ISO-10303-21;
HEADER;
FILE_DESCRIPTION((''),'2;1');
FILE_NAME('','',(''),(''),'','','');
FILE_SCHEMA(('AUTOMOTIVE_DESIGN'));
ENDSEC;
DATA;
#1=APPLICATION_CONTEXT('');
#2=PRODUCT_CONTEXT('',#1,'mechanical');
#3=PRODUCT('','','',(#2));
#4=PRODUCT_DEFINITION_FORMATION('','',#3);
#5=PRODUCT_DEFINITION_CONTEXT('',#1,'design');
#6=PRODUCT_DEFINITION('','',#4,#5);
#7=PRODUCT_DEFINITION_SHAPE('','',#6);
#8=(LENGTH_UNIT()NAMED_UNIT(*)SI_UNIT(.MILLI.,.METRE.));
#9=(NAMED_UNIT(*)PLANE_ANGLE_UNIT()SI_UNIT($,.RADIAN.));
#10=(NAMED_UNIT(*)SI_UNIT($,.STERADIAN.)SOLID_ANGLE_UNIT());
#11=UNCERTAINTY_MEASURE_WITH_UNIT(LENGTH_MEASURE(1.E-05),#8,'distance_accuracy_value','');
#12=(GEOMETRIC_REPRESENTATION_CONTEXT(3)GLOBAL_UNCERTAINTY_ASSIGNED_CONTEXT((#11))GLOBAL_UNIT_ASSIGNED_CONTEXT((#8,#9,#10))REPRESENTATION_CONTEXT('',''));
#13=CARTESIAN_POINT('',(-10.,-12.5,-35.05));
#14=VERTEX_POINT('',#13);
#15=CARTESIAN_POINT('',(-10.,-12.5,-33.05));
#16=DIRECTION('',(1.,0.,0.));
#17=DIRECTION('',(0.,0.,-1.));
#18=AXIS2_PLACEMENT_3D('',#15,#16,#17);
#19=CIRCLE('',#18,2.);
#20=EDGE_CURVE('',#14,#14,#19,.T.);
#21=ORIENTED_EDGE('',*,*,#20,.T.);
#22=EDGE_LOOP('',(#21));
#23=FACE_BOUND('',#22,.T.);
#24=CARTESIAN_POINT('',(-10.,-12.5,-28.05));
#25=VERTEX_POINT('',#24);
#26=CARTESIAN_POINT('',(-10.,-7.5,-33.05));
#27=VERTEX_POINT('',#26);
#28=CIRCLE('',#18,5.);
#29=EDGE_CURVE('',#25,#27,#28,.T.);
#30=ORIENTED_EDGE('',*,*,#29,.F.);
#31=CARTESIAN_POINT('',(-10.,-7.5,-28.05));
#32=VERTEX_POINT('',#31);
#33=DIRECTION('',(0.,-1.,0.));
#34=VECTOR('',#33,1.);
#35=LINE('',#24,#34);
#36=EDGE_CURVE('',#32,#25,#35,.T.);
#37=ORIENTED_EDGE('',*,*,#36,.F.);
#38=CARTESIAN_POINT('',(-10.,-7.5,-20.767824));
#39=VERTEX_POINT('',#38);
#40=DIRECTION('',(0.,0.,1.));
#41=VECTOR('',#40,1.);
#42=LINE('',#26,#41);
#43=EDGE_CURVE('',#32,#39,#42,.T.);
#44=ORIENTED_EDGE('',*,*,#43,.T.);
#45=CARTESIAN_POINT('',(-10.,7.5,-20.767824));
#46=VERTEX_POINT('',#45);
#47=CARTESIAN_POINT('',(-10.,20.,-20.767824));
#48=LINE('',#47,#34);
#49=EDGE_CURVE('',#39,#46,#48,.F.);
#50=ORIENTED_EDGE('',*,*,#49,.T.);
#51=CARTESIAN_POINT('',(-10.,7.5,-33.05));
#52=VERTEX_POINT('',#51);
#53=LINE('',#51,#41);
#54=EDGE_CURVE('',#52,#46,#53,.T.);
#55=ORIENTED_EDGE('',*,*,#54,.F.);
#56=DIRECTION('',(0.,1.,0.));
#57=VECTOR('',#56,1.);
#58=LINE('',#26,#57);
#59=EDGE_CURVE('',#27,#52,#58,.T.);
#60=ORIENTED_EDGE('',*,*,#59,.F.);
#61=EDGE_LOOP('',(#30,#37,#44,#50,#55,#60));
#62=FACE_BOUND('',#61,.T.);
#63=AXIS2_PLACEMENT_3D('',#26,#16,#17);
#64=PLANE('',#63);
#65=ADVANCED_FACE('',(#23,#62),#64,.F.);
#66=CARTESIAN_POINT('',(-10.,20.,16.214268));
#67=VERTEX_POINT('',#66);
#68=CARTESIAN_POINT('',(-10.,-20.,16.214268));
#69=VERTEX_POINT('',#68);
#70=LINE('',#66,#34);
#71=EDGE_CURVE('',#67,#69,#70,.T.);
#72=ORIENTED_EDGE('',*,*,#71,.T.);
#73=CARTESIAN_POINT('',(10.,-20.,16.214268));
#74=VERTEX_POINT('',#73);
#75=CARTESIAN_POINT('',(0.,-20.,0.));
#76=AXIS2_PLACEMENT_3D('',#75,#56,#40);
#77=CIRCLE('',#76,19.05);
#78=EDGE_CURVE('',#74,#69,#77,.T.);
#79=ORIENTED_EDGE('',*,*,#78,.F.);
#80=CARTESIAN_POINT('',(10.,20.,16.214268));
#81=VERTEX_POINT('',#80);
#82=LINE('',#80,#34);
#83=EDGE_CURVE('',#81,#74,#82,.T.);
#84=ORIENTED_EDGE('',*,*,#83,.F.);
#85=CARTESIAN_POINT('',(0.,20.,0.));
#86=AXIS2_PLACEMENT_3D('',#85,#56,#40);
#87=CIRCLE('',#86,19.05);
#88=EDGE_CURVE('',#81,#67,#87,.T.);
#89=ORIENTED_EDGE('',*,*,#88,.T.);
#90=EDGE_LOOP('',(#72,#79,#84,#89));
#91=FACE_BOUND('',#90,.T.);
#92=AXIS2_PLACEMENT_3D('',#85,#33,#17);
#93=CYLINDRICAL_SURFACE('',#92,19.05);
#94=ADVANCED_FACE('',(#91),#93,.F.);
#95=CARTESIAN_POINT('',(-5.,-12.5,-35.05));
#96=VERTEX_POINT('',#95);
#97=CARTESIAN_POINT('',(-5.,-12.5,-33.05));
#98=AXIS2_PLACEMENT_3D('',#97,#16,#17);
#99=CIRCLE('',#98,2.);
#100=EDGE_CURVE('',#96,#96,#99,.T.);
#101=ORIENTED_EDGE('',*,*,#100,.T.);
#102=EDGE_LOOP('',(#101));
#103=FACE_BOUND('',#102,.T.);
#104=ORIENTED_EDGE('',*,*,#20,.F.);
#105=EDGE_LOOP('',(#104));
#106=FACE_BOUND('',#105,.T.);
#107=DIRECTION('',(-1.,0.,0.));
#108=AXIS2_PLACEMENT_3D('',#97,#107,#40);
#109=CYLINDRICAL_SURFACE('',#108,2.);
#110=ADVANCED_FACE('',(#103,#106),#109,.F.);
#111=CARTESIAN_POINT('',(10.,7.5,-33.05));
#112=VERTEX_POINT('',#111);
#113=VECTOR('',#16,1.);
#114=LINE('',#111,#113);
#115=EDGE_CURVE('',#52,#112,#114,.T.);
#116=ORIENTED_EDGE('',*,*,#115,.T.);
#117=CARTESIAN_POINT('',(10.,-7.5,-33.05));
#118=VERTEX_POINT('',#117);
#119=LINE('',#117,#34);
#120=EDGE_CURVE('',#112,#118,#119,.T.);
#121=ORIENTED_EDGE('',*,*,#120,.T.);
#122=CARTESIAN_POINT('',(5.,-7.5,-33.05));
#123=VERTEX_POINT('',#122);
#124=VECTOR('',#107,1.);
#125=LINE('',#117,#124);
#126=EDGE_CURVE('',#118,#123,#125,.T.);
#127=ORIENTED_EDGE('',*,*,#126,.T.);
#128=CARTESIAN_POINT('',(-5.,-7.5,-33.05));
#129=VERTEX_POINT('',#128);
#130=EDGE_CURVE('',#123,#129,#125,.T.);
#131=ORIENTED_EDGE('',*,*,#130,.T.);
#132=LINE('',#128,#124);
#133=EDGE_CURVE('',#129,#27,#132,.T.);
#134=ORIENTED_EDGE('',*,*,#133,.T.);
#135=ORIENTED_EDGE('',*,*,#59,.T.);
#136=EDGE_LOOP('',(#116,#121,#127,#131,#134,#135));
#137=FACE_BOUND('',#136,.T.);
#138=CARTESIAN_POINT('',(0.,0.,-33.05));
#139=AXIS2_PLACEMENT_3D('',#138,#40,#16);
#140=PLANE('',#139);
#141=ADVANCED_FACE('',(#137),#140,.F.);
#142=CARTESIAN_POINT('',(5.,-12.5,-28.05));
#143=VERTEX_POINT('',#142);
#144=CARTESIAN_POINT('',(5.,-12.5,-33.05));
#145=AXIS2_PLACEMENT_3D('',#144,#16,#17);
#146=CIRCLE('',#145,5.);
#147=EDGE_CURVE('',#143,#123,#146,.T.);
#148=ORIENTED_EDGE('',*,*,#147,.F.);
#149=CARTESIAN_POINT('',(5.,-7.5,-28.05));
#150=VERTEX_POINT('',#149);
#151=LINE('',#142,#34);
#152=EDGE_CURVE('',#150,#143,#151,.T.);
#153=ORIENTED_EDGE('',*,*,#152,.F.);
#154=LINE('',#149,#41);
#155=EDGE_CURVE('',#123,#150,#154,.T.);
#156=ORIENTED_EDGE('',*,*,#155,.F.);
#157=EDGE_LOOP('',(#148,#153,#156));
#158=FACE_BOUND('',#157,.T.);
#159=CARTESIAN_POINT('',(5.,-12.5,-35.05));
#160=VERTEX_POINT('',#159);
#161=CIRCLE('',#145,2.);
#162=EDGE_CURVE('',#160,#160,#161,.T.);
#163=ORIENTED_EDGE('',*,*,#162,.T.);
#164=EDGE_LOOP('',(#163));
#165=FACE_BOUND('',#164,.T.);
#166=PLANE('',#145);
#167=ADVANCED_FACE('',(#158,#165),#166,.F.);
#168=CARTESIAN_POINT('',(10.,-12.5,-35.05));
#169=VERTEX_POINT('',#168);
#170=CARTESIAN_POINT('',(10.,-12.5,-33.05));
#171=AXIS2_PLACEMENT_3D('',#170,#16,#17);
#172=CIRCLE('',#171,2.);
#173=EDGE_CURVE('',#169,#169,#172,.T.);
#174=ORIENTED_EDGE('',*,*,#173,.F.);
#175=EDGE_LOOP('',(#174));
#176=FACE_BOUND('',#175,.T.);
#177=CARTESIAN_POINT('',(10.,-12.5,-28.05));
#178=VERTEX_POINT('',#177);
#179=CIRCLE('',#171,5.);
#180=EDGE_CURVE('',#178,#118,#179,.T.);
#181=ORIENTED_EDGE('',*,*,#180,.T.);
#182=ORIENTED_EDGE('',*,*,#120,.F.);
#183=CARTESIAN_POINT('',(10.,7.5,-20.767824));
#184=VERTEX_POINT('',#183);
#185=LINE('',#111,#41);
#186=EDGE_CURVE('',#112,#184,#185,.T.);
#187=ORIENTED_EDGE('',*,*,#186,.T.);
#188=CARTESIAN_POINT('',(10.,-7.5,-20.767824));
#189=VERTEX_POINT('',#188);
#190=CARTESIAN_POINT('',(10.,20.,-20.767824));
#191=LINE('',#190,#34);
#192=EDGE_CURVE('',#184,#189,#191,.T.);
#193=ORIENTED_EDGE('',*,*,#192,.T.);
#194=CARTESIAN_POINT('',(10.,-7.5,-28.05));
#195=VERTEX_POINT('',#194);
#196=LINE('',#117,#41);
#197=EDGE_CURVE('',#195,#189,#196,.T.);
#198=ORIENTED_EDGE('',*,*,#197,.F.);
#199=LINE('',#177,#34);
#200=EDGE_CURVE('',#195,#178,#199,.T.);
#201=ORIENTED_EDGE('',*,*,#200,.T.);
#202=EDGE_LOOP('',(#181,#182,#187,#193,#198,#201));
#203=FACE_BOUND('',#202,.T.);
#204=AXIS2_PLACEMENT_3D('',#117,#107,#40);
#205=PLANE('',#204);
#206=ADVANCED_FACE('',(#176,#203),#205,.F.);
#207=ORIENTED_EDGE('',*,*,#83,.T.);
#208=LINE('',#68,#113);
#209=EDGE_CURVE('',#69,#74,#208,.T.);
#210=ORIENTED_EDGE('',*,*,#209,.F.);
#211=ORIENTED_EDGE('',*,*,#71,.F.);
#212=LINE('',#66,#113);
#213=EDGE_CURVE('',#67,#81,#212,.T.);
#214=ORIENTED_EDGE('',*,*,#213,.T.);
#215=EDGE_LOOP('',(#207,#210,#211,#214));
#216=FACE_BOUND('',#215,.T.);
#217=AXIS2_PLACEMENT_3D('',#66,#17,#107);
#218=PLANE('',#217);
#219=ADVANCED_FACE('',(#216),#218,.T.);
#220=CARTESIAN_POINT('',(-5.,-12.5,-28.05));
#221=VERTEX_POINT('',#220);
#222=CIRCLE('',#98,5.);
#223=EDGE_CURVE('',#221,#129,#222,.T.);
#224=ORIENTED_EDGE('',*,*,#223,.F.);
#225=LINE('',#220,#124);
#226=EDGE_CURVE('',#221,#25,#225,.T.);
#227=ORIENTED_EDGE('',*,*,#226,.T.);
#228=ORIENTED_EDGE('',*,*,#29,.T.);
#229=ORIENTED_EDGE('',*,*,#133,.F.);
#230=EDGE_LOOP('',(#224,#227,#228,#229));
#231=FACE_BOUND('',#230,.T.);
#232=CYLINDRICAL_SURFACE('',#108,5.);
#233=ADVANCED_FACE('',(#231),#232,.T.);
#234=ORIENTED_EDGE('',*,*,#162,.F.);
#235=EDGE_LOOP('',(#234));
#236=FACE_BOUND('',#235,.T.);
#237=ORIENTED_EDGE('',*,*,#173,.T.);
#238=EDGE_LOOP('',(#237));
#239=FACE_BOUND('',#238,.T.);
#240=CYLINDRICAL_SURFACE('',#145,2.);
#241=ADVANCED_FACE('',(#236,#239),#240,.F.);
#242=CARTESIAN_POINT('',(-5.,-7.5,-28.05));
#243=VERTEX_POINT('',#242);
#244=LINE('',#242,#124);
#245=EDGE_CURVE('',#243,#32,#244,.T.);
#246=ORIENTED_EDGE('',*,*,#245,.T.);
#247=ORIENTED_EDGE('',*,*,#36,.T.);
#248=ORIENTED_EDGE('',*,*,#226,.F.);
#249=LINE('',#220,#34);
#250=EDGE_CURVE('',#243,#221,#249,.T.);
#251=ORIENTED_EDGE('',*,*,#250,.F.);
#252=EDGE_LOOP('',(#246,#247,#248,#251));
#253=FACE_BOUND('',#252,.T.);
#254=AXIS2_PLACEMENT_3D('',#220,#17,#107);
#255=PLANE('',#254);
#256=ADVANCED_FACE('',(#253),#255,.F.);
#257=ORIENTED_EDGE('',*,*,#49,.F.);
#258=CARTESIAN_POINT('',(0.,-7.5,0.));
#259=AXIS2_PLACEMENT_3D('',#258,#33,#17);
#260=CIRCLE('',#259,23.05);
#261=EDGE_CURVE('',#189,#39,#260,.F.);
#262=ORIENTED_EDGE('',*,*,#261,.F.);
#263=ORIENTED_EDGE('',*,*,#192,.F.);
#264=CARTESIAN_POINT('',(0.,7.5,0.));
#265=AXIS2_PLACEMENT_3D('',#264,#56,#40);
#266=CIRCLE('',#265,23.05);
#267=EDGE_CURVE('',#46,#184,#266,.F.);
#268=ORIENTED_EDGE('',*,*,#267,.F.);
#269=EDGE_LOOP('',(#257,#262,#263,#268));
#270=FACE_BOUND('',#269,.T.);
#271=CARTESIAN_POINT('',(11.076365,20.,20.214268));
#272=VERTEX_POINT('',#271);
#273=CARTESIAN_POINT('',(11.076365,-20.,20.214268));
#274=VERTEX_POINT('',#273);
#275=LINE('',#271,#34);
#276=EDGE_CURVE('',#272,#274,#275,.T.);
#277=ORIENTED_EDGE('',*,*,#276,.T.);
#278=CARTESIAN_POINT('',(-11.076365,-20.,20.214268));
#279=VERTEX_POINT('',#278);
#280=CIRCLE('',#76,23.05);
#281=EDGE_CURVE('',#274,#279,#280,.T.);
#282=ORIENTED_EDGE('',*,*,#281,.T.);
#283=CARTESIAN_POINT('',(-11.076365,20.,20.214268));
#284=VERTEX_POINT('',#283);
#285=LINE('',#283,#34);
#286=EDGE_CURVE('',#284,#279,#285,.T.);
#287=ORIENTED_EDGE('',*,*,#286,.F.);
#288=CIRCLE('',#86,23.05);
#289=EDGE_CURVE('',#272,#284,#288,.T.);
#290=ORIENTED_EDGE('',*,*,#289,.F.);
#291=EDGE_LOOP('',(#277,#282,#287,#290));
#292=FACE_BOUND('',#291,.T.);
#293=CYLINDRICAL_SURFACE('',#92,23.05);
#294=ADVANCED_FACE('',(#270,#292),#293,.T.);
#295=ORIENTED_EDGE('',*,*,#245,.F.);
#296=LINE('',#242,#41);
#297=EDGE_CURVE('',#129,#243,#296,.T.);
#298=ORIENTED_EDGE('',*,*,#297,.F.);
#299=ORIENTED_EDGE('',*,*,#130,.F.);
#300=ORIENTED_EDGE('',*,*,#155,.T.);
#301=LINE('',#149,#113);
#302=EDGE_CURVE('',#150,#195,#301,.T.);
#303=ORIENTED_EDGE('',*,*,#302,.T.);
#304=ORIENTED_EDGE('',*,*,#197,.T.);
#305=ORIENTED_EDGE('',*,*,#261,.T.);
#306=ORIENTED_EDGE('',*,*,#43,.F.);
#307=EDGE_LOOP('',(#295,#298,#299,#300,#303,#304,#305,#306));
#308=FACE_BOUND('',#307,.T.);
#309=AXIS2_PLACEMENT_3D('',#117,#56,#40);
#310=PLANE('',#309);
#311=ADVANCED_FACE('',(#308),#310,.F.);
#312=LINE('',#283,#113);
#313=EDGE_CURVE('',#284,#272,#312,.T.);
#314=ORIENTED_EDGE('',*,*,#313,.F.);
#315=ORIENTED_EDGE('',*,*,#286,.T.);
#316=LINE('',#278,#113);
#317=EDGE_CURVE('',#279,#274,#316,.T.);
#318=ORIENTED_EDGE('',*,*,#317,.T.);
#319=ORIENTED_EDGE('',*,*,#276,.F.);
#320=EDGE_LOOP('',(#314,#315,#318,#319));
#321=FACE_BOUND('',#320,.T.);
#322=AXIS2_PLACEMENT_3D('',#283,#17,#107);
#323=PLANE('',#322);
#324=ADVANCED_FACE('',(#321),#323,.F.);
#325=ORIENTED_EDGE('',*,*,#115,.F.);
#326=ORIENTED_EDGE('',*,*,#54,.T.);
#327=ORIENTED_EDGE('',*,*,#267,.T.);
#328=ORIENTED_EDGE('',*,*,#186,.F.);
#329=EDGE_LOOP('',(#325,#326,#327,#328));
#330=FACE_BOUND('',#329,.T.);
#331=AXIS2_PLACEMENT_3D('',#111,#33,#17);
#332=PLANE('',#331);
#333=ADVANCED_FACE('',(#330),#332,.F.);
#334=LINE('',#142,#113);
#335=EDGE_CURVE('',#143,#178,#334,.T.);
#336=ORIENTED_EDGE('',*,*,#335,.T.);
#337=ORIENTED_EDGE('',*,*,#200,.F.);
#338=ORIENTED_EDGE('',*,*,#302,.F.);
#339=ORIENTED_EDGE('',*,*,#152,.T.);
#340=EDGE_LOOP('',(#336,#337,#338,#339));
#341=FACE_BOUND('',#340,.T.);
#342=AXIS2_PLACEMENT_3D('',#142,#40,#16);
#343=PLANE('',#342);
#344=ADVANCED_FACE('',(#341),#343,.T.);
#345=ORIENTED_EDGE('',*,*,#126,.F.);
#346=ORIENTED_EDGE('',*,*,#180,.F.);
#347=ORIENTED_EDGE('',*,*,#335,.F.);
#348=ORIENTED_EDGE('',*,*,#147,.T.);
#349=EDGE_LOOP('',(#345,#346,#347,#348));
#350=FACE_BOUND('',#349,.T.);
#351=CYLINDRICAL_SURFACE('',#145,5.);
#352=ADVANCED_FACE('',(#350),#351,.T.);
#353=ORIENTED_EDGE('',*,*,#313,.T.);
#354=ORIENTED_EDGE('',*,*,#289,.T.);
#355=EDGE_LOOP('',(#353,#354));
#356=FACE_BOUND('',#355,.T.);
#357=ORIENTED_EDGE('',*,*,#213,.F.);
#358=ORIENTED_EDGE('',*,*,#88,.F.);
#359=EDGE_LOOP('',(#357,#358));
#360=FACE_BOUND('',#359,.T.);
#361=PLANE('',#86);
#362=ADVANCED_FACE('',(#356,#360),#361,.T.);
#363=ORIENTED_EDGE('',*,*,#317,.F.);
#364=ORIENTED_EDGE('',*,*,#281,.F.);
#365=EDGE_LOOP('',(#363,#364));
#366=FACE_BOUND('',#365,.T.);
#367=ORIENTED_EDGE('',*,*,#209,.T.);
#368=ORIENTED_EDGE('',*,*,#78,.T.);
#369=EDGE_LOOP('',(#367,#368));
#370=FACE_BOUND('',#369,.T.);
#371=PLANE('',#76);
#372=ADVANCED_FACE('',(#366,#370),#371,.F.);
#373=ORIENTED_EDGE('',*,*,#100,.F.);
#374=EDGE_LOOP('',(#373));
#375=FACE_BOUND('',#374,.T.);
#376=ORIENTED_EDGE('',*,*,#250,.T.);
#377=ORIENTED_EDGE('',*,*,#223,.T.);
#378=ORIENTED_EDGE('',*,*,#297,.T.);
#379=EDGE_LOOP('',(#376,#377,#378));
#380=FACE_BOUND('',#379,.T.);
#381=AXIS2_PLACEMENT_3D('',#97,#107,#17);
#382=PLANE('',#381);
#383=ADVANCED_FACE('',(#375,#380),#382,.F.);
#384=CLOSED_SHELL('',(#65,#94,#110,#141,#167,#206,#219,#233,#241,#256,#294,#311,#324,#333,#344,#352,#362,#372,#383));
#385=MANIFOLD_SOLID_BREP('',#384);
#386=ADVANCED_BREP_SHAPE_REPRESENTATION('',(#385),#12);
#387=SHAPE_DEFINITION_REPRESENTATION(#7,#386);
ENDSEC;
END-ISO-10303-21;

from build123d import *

# Parameters (mm, degrees)
BOSS_EXTRUDE1_DEPTH             = 20
BOSS_EXTRUDE2_REACH             = 54.944
BOSS_EXTRUDE2_END_RADIUS        = 23.05
SKETCH2_W                       = 20
SKETCH2_H                       = 15
BOSS_EXTRUDE2_DIRECTION_2_DEPTH = 10
SKETCH3_R                       = 2
BOSS_EXTRUDE3_DEPTH             = 5


with BuildPart() as part:
    # Sketch1 → Boss-Extrude1 (new, symmetric)
    with BuildSketch(Plane(origin=(0, 0, 0), x_dir=(1, 0, 0), z_dir=(0, 1, 0))):
        with BuildLine():
            Line((-11.076364599, -20.214268408), (11.076364599, -20.214268408))
            ThreePointArc((11.076364599, -20.214268408), (0, 23.05), (-11.076364599, -20.214268408))
        make_face()
        with BuildLine():
            Line((-10, -16.214268408), (10, -16.214268408))
            ThreePointArc((10, -16.214268408), (0, 19.05), (-10, -16.214268408))
        make_face(mode=Mode.SUBTRACT)
    extrude(amount=BOSS_EXTRUDE1_DEPTH, both=True)

    # Boss-Extrude2: up to this cylinder (the profile starts outside it)
    boss_extrude2_end = Plane(origin=(0, 0, 0), z_dir=(0, -1, 0)) * Cylinder(BOSS_EXTRUDE2_END_RADIUS, 156.988, mode=Mode.PRIVATE)
    # Sketch2 → Boss-Extrude2 (add, up to the surface)
    with BuildSketch(Plane(origin=(0, 0, -23.05), x_dir=(-1, 0, 0), z_dir=(0, 0, -1)), mode=Mode.PRIVATE) as boss_extrude2_sk1:
        Rectangle(SKETCH2_W, SKETCH2_H)
    boss_extrude2_tool1 = extrude(boss_extrude2_sk1.sketch, amount=-BOSS_EXTRUDE2_REACH, mode=Mode.PRIVATE) - boss_extrude2_end
    add(boss_extrude2_tool1.solids().sort_by_distance((0, 0, -23.05))[0])
    add(boss_extrude2_tool1.solids().sort_by_distance((0, 0, -23.05))[1])

    # Sketch2 → Boss-Extrude2 direction 2 (add)
    with BuildSketch(Plane(origin=(0, 0, -23.05), x_dir=(-1, 0, 0), z_dir=(0, 0, -1))):
        Rectangle(SKETCH2_W, SKETCH2_H)
    extrude(amount=BOSS_EXTRUDE2_DIRECTION_2_DEPTH)

    # Sketch3 → Boss-Extrude3 (add)
    with BuildSketch(Plane(origin=(10, 0, 0), x_dir=(0, 0, -1), z_dir=(1, 0, 0))):
        with BuildLine():
            Line((28.05, -12.5), (28.05, -7.5))
            Line((28.05, -7.5), (33.05, -7.5))
            ThreePointArc((33.05, -7.5), (36.585533906, -16.035533906), (28.05, -12.5))
        make_face()
        with Locations((33.05, -12.5)):
            Circle(SKETCH3_R, mode=Mode.SUBTRACT)
    boss_extrude3 = extrude(amount=-BOSS_EXTRUDE3_DEPTH)

    # Mirror1: Boss-Extrude3 across plane
    add(boss_extrude3.mirror(Plane(origin=(0, 0, 0), x_dir=(0, 0, 1), z_dir=(1, 0, 0))))


solid = part.part
